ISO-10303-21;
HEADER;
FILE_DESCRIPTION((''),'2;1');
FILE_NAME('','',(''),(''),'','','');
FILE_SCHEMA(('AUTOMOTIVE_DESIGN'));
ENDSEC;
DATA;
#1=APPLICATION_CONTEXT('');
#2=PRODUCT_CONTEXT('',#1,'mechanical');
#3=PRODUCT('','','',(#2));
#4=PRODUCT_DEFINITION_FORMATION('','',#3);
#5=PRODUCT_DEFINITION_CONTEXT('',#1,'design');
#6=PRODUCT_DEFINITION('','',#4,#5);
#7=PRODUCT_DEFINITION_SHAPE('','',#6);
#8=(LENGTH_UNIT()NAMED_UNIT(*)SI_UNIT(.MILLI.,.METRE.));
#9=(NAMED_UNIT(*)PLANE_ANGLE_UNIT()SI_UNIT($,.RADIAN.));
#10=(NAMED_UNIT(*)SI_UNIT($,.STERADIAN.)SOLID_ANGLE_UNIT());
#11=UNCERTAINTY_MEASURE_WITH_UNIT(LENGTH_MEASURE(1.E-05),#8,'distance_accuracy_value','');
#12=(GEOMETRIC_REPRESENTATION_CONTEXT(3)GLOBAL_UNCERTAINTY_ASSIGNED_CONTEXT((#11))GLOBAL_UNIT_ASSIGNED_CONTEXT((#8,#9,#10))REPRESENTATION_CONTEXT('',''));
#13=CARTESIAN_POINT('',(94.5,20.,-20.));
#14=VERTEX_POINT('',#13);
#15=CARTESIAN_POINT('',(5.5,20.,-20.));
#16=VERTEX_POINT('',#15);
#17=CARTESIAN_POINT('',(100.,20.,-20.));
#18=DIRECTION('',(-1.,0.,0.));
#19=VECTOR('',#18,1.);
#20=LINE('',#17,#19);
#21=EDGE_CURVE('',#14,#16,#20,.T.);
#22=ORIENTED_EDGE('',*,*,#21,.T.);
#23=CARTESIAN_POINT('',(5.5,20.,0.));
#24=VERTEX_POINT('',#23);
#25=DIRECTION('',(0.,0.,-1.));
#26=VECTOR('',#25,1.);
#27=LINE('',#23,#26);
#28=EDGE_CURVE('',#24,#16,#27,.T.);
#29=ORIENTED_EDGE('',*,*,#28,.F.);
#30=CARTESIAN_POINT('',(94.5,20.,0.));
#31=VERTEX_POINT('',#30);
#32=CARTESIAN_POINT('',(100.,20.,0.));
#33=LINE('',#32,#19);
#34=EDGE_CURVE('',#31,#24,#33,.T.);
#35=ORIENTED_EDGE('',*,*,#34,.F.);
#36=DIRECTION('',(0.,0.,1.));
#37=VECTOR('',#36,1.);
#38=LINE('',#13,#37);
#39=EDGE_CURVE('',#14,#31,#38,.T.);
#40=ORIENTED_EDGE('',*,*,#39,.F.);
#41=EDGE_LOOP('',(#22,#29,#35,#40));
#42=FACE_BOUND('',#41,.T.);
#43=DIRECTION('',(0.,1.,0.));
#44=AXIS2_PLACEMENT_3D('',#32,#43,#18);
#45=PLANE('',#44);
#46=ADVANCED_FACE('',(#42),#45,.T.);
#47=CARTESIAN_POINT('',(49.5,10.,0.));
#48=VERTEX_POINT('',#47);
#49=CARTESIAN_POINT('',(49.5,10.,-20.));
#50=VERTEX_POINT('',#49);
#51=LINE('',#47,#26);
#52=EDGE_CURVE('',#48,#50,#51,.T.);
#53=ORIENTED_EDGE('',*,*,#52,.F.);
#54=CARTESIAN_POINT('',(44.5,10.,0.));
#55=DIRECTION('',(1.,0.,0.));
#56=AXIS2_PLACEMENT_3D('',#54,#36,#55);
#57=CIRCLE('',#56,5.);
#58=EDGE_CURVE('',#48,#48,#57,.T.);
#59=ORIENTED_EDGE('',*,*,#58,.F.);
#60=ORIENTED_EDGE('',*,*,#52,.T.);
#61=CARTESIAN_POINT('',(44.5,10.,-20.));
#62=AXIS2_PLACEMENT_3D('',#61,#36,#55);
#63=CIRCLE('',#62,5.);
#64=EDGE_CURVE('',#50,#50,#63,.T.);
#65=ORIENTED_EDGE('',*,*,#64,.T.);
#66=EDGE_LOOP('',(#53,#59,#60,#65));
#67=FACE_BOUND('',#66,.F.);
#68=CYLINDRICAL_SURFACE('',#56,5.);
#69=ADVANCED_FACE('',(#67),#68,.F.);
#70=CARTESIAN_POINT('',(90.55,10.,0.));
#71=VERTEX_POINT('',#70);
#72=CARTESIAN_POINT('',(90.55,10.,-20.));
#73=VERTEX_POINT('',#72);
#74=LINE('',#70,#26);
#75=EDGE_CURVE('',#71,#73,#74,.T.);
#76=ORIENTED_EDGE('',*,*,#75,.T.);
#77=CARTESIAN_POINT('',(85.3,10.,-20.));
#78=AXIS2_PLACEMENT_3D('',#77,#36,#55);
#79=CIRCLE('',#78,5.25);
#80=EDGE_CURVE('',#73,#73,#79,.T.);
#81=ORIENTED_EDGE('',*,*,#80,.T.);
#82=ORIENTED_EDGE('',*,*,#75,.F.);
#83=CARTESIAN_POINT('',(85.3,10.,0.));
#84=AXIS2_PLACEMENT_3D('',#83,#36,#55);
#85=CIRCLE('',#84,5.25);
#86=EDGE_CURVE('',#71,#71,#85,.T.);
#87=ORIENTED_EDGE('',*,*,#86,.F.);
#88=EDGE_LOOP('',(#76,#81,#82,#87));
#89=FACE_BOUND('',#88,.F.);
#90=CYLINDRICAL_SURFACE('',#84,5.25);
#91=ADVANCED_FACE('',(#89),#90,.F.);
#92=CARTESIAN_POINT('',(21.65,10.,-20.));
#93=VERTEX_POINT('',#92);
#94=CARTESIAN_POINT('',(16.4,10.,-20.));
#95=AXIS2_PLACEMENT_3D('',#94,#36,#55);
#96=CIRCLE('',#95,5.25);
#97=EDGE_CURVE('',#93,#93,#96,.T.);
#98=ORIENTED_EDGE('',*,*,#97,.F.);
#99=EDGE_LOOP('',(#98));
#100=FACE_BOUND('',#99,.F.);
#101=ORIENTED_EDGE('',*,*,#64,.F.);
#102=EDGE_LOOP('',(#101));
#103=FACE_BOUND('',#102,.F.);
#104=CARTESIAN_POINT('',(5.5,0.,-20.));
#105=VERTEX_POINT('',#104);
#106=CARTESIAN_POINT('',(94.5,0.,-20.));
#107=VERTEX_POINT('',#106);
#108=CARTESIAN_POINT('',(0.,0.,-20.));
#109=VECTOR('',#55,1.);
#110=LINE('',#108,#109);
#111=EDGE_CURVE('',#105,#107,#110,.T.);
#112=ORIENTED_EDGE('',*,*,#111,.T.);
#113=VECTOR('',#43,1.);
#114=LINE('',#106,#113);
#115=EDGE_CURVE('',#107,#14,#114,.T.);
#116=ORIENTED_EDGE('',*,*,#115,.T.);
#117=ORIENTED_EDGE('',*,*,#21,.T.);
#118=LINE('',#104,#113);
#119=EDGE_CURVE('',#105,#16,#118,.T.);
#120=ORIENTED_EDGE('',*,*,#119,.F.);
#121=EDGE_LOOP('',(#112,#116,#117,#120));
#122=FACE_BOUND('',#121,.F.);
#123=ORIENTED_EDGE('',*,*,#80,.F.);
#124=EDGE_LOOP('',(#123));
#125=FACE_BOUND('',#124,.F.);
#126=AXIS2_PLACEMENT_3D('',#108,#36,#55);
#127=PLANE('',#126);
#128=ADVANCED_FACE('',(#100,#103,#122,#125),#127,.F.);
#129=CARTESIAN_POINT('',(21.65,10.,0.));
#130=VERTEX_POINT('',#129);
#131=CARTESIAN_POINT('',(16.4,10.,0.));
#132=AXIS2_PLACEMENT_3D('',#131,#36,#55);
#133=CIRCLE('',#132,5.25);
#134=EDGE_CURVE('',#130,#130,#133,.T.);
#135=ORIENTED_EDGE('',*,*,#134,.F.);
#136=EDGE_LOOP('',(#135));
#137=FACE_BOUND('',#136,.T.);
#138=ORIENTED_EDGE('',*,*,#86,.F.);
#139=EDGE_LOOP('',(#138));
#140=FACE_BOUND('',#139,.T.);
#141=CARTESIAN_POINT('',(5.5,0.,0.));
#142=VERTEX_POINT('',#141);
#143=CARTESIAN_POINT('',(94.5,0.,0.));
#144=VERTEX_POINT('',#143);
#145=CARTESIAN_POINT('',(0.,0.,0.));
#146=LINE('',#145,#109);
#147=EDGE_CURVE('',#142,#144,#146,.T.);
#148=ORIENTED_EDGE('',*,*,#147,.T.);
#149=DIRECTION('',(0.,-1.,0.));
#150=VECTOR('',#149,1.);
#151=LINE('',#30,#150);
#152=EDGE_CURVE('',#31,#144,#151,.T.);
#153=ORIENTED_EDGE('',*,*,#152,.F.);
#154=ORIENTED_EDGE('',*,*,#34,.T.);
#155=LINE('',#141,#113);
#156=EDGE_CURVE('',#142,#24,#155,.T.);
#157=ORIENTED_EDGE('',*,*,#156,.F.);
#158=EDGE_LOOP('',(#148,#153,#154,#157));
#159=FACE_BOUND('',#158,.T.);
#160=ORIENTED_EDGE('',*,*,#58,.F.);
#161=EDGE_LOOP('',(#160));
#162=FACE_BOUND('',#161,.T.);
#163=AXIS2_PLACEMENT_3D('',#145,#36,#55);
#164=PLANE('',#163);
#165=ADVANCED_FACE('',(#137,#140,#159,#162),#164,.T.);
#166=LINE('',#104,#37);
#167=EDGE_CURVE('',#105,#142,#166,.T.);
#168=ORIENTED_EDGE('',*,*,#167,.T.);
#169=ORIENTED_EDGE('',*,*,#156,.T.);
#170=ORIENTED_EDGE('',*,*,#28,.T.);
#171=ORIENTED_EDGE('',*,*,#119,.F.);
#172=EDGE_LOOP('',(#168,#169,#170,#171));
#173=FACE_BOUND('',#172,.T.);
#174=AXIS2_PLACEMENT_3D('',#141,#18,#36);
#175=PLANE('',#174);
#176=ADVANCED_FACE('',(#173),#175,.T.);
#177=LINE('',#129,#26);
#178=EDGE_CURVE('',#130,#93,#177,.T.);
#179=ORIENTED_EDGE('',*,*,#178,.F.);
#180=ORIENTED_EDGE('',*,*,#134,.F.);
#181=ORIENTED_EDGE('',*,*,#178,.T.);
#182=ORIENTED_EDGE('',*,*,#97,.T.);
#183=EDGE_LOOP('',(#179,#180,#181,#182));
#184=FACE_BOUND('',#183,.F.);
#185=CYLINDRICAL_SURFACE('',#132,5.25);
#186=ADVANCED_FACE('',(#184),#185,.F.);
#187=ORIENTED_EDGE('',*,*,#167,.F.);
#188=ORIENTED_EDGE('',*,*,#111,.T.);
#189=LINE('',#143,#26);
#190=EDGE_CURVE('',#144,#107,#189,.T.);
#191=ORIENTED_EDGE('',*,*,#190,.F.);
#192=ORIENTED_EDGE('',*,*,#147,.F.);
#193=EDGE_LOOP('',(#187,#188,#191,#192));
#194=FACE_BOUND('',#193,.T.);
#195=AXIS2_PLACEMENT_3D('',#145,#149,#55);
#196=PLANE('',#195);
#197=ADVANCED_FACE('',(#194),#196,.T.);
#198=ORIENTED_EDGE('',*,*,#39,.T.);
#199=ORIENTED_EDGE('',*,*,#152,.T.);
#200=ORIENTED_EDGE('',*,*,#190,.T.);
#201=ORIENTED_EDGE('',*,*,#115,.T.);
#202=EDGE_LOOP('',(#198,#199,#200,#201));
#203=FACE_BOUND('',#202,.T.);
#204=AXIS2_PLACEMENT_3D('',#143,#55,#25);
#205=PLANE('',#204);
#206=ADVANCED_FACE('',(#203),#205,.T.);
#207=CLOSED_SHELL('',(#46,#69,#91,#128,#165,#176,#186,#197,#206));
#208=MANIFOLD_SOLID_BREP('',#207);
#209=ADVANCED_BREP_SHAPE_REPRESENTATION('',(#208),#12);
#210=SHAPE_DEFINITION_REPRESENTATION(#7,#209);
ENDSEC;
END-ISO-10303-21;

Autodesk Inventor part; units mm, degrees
ref_plane "YZ Plane" through (0, 0, 0) normal (1, 0, 0) x (0, 1, 0)
ref_plane "XZ Plane" through (0, 0, 0) normal (0, 1, 0) x (-1, 0, 0)
ref_plane "XY Plane" through (0, 0, 0) normal (0, 0, 1) x (1, 0, 0)
sketch "Sketch1" plane through (0, 0, 0) normal (0, 0, 1) x (1, 0, 0)
  line L0 (0, 0) -> (100, 0)
  line L1 (100, 0) -> (100, 20)
  line L2 (100, 20) -> (0, 20)
  line L3 (0, 20) -> (0, 0)
  dimension "d0" = 100
  dimension "d1" = 20
extrude "Extrusion1" add sketch "Sketch1" against normal blind 20
sketch "Sketch2" plane through (0, 0, 0) normal (0, 0, 1) x (1, 0, 0)
  line L0 (0, 0) -> (0, 20) projected
  circle A0 centre (44.5, 10) radius 5
  line L1 (0, 0) -> (100, 0) projected
  dimension "d5" = 10
  dimension "d24" = 44.5
  dimension "d25" = 10
sketch "Sketch3" plane through (0, 0, 0) normal (0, 0, 1) x (1, 0, 0)
  line L0 (0, 0) -> (0, 20) projected
  line L1 (100, 20) -> (100, 0) projected
  line L2 (100, 10) -> (85.3, 10)
  circle A0 centre (85.3, 10) radius 5.25
  dimension "d8" = 14.7
  dimension "d9" = 10.5
extrude "Extrusion2" cut sketch "Sketch3" against normal blind 20
extrude "Extrusion3" cut sketch "Sketch2" against normal blind 20
sketch "Sketch4" plane through (0, 0, 0) normal (0, 0, 1) x (1, 0, 0)
  line L0 (0, 20) -> (0, 0) projected
  circle A0 centre (16.4, 10) radius 5.25
  circle A1 centre (44.5, 10) radius 5 projected
  line L1 (0, 0) -> (100, 0) projected
  dimension "d15" = 10.5
  dimension "d27" = 10
  dimension "d29" = 16.4
extrude "Extrusion4" cut sketch "Sketch4" against normal blind 20 contours A0
sketch "Sketch5" plane through (0, 0, 0) normal (0, 0, 1) x (1, 0, 0)
  point P0 (0, 0)
sketch "Sketch6" plane through (100, 0, 0) normal (1, 0, 0) x (0, 0, -1)
  line L0 (0, 0) -> (20, 0) projected
  line L1 (20, 0) -> (20, 20) projected
  line L2 (0, 0) -> (20, 0)
  line L3 (20, 0) -> (20, 20)
  line L4 (20, 20) -> (0, 20)
  line L5 (0, 20) -> (0, 0)
extrude "Extrusion5" cut sketch "Sketch6" against normal blind 5.5
sketch "Sketch7" plane through (0, 0, 0) normal (-1, 0, 0) x (0, 0, 1)
  line L0 (-20, 0) -> (-20, 20) projected
  line L1 (0, 20) -> (-20, 20) projected
  line L2 (-20, 0) -> (0, 0)
  line L3 (0, 0) -> (0, 20)
  line L4 (0, 20) -> (-20, 20)
  line L5 (-20, 20) -> (-20, 0)
extrude "Extrusion6" cut sketch "Sketch7" against normal blind 5.5
thread "Thread1" size "M10x1.5" class "6H" standard "ANSI Metric M Profile" full length
properties part number "block"
